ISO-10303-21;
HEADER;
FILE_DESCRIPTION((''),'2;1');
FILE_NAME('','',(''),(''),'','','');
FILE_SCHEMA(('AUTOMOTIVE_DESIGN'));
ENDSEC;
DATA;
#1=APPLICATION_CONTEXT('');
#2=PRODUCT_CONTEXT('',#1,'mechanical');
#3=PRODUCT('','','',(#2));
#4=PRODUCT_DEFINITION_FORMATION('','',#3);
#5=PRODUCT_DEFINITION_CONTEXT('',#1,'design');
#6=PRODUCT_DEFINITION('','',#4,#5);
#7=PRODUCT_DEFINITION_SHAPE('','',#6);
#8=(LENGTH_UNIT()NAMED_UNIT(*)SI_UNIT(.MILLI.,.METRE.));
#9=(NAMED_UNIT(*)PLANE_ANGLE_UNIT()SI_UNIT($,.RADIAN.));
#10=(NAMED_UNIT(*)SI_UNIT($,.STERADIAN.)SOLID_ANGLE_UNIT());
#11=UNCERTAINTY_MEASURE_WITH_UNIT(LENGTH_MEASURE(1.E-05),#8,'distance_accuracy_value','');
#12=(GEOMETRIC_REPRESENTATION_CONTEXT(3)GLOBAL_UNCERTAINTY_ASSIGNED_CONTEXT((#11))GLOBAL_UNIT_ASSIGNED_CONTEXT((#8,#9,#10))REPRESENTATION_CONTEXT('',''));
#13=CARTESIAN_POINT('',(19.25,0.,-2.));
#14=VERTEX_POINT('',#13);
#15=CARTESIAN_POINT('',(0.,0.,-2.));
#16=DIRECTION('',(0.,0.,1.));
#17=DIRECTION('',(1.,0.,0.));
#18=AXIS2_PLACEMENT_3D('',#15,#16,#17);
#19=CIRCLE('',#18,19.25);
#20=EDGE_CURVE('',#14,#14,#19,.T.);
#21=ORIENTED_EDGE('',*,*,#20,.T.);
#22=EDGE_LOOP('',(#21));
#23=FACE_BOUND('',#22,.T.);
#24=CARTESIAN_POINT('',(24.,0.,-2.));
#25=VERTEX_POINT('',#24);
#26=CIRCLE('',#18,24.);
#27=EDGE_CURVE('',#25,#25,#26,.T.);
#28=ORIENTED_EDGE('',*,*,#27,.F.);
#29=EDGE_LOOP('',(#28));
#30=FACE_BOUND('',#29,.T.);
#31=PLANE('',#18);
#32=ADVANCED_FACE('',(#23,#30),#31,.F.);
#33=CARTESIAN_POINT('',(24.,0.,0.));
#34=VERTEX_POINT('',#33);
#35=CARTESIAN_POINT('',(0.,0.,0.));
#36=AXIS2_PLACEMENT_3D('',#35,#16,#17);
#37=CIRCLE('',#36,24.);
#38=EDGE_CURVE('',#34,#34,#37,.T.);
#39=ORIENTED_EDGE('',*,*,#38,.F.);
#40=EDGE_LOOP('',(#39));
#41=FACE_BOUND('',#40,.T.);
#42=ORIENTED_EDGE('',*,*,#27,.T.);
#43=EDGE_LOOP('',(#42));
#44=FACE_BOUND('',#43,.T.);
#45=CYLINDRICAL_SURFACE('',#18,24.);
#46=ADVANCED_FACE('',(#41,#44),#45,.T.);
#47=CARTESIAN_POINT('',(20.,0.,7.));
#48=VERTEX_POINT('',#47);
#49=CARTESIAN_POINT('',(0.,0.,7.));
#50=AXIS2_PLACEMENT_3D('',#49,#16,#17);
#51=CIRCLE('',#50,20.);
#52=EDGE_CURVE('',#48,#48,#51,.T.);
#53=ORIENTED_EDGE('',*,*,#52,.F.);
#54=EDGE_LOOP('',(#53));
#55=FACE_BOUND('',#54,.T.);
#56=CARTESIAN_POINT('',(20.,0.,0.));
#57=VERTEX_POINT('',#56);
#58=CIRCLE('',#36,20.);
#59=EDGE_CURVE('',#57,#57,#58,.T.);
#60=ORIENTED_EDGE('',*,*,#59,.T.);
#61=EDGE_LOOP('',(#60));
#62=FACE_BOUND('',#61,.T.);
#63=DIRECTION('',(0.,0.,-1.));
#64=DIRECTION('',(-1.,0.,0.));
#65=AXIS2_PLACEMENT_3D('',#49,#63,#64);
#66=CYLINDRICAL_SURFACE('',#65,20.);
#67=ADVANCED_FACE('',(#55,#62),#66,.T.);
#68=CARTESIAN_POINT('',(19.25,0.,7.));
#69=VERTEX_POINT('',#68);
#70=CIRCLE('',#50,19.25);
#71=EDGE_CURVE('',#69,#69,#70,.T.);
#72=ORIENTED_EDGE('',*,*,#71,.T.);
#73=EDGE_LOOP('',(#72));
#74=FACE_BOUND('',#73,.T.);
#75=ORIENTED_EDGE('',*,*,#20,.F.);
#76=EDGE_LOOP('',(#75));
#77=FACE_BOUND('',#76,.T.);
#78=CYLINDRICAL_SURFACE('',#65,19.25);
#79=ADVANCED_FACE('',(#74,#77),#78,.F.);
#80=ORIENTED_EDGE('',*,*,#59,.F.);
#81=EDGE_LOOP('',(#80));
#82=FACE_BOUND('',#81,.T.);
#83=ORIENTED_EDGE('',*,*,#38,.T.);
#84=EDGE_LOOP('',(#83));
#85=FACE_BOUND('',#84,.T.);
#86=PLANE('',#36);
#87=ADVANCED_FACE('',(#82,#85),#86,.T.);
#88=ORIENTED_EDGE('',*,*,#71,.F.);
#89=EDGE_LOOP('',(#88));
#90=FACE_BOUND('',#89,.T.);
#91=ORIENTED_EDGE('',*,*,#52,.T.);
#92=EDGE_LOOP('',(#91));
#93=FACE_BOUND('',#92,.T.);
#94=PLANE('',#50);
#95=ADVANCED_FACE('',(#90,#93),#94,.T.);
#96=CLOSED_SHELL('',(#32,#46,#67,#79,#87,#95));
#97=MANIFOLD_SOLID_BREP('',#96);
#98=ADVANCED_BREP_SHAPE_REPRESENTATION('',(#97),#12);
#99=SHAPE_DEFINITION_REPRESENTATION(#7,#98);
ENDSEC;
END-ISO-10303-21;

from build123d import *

# Parameters (mm, degrees)
ESQUISSE1_R        = 20
ESQUISSE1_R_2      = 19.25
BOSS_EXTRU_1_DEPTH = 7
BOSS_EXTRU_3_START = -2
ESQUISSE1_4_R      = 24
ESQUISSE1_4_R_2    = 19.25
BOSS_EXTRU_3_DEPTH = 2


with BuildPart() as part:
    # Esquisse1 → Boss.-Extru.1 (new body)
    with BuildSketch(Plane.XY):
        Circle(ESQUISSE1_R)
        Circle(ESQUISSE1_R_2, mode=Mode.SUBTRACT)
    extrude(amount=BOSS_EXTRU_1_DEPTH)

    # Esquisse1<4> → Boss.-Extru.3 (add)
    with BuildSketch(Plane.XY.offset(BOSS_EXTRU_3_START)):
        Circle(ESQUISSE1_4_R)
        Circle(ESQUISSE1_4_R_2, mode=Mode.SUBTRACT)
    extrude(amount=BOSS_EXTRU_3_DEPTH)


solid = part.part
